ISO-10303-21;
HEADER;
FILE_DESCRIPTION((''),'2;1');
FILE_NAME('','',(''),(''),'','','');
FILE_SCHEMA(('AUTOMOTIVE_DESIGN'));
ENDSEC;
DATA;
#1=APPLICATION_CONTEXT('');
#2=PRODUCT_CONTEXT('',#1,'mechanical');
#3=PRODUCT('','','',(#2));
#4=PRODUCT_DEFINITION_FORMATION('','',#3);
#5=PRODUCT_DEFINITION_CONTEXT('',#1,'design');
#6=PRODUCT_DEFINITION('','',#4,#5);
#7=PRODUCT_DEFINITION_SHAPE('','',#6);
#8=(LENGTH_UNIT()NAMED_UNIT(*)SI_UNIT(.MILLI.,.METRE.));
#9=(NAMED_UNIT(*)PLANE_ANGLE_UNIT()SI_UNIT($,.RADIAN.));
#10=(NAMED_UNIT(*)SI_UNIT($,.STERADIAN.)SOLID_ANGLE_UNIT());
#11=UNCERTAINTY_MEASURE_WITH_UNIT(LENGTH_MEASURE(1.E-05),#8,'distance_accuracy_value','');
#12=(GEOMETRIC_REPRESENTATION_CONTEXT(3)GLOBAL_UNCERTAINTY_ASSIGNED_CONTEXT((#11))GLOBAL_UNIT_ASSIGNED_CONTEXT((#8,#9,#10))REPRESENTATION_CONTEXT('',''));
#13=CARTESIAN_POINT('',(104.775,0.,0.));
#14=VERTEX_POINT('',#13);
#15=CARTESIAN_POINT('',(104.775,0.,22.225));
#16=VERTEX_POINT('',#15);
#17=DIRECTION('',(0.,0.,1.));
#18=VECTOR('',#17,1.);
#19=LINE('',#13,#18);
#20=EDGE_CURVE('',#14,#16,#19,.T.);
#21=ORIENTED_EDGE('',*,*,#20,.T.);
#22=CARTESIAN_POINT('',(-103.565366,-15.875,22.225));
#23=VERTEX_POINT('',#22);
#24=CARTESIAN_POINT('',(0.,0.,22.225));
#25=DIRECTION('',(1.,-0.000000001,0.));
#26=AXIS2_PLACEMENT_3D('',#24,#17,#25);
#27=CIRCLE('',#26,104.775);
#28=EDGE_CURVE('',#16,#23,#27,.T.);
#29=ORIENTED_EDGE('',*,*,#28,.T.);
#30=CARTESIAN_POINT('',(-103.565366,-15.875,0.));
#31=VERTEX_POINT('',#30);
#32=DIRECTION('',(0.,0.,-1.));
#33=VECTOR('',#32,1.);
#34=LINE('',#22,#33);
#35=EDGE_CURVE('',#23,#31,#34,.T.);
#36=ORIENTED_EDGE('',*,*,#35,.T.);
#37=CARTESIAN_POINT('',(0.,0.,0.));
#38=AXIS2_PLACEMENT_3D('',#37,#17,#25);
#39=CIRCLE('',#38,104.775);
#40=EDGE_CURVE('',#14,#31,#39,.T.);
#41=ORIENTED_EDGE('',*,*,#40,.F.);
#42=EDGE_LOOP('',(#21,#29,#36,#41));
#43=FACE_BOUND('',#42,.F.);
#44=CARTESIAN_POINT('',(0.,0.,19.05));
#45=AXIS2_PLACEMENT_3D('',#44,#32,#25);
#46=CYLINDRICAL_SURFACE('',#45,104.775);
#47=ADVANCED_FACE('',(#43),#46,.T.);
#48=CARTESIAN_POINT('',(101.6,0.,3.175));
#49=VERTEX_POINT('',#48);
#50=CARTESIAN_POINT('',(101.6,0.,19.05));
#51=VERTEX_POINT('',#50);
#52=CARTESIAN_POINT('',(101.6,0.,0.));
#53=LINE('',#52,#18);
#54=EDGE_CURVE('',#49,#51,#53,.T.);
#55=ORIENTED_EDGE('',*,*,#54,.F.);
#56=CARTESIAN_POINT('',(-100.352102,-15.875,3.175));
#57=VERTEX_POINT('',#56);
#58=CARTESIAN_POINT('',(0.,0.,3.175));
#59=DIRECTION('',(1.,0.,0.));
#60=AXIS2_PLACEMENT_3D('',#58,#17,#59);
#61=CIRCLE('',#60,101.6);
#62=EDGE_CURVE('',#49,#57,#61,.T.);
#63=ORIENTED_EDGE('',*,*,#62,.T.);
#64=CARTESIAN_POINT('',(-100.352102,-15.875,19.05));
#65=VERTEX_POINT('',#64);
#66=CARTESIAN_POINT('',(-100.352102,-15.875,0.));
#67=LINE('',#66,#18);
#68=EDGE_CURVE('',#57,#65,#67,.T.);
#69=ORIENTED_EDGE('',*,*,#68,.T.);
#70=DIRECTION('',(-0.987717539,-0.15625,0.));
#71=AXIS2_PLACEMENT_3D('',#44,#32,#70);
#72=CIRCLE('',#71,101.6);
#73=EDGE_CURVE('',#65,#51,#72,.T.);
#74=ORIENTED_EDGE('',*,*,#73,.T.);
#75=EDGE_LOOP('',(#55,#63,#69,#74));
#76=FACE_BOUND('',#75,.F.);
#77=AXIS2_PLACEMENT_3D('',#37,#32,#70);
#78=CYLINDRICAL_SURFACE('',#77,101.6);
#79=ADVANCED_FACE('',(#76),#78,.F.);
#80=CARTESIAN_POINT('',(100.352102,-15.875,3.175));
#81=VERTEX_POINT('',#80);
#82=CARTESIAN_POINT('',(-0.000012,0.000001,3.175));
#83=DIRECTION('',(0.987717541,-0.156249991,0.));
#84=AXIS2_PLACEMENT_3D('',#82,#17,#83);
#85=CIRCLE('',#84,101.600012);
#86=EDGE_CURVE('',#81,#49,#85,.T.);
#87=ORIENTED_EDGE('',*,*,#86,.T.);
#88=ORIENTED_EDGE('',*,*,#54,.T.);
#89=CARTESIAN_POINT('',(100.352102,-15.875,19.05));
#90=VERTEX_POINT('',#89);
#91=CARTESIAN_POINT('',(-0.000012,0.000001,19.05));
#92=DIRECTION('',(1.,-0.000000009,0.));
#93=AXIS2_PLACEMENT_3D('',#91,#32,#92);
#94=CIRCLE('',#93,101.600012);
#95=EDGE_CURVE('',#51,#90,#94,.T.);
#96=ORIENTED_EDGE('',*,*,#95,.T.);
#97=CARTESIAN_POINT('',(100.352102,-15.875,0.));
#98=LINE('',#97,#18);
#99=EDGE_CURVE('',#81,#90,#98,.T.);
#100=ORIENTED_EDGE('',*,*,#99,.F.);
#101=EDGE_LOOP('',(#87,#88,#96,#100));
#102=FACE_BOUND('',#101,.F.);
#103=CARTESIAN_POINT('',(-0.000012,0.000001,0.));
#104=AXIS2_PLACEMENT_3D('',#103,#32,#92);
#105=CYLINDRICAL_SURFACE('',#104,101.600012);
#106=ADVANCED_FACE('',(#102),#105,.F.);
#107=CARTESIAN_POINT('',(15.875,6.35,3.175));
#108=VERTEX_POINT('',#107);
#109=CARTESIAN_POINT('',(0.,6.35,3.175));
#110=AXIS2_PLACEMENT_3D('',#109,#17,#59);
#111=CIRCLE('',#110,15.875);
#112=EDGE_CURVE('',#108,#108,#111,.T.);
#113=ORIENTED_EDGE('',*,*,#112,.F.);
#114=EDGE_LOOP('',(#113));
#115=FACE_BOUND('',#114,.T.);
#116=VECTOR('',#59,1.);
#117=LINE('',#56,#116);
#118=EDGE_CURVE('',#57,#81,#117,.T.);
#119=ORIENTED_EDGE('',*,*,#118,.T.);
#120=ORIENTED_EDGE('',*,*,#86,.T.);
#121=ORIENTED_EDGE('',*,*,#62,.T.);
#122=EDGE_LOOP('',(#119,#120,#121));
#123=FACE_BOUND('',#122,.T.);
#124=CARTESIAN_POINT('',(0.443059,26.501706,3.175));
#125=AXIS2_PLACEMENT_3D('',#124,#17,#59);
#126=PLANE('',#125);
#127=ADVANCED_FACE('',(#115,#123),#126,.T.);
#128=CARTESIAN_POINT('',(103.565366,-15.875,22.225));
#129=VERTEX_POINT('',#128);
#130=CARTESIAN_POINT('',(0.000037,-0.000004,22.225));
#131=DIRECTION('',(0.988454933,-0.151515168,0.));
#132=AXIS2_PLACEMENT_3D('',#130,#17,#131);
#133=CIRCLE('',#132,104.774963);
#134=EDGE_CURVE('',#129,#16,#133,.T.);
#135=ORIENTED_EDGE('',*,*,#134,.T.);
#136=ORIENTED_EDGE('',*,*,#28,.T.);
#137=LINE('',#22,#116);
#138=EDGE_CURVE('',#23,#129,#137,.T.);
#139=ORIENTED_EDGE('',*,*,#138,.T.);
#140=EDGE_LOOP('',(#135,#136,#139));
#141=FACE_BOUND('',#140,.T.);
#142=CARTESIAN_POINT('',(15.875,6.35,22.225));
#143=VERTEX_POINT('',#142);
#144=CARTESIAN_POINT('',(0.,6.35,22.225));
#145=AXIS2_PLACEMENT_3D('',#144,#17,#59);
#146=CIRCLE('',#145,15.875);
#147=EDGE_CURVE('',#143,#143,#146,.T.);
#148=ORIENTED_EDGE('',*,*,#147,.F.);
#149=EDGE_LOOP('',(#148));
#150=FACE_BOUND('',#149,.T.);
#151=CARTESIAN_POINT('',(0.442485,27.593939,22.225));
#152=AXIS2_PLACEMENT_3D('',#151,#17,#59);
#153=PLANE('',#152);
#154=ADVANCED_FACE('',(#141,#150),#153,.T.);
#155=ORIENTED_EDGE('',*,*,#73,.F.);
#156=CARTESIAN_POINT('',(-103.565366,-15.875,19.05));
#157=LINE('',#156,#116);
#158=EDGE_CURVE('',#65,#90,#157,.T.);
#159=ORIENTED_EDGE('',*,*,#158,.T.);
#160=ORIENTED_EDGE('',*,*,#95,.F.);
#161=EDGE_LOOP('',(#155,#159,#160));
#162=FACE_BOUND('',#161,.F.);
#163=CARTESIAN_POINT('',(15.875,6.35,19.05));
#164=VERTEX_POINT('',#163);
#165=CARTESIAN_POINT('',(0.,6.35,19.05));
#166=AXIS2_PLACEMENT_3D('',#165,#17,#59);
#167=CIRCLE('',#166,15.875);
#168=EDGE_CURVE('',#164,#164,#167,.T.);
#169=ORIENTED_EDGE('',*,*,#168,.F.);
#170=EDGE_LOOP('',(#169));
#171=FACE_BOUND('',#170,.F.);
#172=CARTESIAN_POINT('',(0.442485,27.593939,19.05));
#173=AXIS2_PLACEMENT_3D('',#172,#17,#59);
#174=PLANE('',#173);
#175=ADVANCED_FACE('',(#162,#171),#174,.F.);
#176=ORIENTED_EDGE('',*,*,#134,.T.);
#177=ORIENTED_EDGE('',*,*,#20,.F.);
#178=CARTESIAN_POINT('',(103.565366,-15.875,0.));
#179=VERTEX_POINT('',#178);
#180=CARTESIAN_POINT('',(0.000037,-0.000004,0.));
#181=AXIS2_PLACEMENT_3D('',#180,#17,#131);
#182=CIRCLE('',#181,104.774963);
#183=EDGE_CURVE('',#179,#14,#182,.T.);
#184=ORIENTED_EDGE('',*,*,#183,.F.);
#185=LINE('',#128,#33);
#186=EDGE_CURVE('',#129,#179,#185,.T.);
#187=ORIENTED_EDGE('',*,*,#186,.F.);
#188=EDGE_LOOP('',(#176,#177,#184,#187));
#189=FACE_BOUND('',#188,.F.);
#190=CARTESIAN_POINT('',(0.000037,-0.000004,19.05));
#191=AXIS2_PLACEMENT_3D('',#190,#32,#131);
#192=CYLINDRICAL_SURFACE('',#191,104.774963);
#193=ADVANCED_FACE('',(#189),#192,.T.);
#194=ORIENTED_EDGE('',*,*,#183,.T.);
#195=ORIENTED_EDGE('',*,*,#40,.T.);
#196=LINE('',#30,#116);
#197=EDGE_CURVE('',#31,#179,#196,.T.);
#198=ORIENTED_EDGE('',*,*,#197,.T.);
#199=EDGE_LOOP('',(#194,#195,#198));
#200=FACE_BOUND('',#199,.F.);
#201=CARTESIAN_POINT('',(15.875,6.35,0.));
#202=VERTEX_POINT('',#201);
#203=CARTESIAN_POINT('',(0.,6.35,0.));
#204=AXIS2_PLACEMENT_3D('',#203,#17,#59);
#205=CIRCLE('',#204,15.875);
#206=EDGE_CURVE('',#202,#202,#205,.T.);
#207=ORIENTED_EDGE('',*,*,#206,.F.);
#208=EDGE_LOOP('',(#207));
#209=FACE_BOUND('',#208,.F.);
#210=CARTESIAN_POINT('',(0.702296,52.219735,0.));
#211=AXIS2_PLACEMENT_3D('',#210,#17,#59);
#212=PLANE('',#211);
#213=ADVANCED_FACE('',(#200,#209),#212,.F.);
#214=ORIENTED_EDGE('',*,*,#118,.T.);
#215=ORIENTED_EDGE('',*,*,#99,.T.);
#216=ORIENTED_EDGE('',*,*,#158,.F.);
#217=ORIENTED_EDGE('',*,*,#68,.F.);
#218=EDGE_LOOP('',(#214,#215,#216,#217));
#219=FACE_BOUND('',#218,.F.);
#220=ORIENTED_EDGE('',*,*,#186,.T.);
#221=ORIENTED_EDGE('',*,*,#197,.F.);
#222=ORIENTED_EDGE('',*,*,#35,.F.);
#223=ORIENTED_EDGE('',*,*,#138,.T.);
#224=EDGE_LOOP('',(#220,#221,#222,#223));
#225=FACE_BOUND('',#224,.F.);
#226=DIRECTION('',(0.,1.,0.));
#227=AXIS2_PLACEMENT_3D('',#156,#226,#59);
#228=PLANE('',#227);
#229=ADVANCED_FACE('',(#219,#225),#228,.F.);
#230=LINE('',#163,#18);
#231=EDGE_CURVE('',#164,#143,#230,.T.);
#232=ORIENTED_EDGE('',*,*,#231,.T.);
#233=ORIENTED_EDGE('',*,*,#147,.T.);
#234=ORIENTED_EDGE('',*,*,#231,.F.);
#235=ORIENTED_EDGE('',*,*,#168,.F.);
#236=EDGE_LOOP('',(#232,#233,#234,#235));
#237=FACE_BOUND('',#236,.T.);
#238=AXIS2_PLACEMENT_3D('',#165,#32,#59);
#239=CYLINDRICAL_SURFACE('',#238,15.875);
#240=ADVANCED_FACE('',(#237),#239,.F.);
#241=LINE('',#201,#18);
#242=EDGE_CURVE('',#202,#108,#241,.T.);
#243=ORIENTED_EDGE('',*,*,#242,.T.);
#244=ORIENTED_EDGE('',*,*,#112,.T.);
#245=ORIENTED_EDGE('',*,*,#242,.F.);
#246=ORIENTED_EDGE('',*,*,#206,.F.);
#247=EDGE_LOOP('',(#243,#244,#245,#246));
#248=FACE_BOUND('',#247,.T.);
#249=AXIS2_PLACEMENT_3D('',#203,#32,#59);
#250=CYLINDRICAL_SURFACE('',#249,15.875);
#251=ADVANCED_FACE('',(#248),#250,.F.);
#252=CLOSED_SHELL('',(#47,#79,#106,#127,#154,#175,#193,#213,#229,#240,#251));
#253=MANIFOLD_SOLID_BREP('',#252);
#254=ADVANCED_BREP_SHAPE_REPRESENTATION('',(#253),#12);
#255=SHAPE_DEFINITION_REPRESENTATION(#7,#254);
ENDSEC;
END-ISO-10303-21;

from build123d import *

# Parameters (mm, degrees)
F0_R     = 15.875
F1_DEPTH = 3.175
F2_DEPTH = 19.05
F3_R     = 15.875
F4_DEPTH = 3.175


with BuildPart() as f1:
    # F0 (on Top) → F1 (new body)
    with BuildSketch(Plane.XY):
        with BuildLine():
            ThreePointArc((101.6, 0), (-7.961986, 101.287545), (-100.352102, -15.875))
            Line((-100.352102, -15.875), (100.352102, -15.875))
            ThreePointArc((100.352102, -15.875), (101.287545, -7.961986), (101.6, 0))
        make_face()
        with Locations((0, 6.35)):
            Circle(F0_R, mode=Mode.SUBTRACT)
    extrude(amount=F1_DEPTH)

    # F0 (on Top) → F2 (join)
    with BuildSketch(Plane.XY):
        with BuildLine():
            ThreePointArc((103.565366, -15.875), (104.472154, -7.960509), (104.775, 0))
            ThreePointArc((104.775, 0), (-7.960509, 104.472154), (-103.565366, -15.875))
            Line((-103.565366, -15.875), (-100.352102, -15.875))
            ThreePointArc((-100.352102, -15.875), (-7.961986, 101.287545), (101.6, 0))
            ThreePointArc((101.6, 0), (101.287545, -7.961986), (100.352102, -15.875))
            Line((100.352102, -15.875), (103.565366, -15.875))
        make_face()
    extrude(amount=F2_DEPTH)

    # F3 (on face) → F4 (join)
    with BuildSketch(Plane.XY.offset(19.05)):
        with BuildLine():
            ThreePointArc((103.565366, -15.875), (104.472154, -7.960509), (104.775, 0))
            ThreePointArc((104.775, 0), (-7.960509, 104.472154), (-103.565366, -15.875))
            Line((-103.565366, -15.875), (-100.352102, -15.875))
            Line((-100.352102, -15.875), (103.565366, -15.875))
        make_face()
        with Locations((0, 6.35)):
            Circle(F3_R, mode=Mode.SUBTRACT)
    extrude(amount=F4_DEPTH)


solid = f1.part
